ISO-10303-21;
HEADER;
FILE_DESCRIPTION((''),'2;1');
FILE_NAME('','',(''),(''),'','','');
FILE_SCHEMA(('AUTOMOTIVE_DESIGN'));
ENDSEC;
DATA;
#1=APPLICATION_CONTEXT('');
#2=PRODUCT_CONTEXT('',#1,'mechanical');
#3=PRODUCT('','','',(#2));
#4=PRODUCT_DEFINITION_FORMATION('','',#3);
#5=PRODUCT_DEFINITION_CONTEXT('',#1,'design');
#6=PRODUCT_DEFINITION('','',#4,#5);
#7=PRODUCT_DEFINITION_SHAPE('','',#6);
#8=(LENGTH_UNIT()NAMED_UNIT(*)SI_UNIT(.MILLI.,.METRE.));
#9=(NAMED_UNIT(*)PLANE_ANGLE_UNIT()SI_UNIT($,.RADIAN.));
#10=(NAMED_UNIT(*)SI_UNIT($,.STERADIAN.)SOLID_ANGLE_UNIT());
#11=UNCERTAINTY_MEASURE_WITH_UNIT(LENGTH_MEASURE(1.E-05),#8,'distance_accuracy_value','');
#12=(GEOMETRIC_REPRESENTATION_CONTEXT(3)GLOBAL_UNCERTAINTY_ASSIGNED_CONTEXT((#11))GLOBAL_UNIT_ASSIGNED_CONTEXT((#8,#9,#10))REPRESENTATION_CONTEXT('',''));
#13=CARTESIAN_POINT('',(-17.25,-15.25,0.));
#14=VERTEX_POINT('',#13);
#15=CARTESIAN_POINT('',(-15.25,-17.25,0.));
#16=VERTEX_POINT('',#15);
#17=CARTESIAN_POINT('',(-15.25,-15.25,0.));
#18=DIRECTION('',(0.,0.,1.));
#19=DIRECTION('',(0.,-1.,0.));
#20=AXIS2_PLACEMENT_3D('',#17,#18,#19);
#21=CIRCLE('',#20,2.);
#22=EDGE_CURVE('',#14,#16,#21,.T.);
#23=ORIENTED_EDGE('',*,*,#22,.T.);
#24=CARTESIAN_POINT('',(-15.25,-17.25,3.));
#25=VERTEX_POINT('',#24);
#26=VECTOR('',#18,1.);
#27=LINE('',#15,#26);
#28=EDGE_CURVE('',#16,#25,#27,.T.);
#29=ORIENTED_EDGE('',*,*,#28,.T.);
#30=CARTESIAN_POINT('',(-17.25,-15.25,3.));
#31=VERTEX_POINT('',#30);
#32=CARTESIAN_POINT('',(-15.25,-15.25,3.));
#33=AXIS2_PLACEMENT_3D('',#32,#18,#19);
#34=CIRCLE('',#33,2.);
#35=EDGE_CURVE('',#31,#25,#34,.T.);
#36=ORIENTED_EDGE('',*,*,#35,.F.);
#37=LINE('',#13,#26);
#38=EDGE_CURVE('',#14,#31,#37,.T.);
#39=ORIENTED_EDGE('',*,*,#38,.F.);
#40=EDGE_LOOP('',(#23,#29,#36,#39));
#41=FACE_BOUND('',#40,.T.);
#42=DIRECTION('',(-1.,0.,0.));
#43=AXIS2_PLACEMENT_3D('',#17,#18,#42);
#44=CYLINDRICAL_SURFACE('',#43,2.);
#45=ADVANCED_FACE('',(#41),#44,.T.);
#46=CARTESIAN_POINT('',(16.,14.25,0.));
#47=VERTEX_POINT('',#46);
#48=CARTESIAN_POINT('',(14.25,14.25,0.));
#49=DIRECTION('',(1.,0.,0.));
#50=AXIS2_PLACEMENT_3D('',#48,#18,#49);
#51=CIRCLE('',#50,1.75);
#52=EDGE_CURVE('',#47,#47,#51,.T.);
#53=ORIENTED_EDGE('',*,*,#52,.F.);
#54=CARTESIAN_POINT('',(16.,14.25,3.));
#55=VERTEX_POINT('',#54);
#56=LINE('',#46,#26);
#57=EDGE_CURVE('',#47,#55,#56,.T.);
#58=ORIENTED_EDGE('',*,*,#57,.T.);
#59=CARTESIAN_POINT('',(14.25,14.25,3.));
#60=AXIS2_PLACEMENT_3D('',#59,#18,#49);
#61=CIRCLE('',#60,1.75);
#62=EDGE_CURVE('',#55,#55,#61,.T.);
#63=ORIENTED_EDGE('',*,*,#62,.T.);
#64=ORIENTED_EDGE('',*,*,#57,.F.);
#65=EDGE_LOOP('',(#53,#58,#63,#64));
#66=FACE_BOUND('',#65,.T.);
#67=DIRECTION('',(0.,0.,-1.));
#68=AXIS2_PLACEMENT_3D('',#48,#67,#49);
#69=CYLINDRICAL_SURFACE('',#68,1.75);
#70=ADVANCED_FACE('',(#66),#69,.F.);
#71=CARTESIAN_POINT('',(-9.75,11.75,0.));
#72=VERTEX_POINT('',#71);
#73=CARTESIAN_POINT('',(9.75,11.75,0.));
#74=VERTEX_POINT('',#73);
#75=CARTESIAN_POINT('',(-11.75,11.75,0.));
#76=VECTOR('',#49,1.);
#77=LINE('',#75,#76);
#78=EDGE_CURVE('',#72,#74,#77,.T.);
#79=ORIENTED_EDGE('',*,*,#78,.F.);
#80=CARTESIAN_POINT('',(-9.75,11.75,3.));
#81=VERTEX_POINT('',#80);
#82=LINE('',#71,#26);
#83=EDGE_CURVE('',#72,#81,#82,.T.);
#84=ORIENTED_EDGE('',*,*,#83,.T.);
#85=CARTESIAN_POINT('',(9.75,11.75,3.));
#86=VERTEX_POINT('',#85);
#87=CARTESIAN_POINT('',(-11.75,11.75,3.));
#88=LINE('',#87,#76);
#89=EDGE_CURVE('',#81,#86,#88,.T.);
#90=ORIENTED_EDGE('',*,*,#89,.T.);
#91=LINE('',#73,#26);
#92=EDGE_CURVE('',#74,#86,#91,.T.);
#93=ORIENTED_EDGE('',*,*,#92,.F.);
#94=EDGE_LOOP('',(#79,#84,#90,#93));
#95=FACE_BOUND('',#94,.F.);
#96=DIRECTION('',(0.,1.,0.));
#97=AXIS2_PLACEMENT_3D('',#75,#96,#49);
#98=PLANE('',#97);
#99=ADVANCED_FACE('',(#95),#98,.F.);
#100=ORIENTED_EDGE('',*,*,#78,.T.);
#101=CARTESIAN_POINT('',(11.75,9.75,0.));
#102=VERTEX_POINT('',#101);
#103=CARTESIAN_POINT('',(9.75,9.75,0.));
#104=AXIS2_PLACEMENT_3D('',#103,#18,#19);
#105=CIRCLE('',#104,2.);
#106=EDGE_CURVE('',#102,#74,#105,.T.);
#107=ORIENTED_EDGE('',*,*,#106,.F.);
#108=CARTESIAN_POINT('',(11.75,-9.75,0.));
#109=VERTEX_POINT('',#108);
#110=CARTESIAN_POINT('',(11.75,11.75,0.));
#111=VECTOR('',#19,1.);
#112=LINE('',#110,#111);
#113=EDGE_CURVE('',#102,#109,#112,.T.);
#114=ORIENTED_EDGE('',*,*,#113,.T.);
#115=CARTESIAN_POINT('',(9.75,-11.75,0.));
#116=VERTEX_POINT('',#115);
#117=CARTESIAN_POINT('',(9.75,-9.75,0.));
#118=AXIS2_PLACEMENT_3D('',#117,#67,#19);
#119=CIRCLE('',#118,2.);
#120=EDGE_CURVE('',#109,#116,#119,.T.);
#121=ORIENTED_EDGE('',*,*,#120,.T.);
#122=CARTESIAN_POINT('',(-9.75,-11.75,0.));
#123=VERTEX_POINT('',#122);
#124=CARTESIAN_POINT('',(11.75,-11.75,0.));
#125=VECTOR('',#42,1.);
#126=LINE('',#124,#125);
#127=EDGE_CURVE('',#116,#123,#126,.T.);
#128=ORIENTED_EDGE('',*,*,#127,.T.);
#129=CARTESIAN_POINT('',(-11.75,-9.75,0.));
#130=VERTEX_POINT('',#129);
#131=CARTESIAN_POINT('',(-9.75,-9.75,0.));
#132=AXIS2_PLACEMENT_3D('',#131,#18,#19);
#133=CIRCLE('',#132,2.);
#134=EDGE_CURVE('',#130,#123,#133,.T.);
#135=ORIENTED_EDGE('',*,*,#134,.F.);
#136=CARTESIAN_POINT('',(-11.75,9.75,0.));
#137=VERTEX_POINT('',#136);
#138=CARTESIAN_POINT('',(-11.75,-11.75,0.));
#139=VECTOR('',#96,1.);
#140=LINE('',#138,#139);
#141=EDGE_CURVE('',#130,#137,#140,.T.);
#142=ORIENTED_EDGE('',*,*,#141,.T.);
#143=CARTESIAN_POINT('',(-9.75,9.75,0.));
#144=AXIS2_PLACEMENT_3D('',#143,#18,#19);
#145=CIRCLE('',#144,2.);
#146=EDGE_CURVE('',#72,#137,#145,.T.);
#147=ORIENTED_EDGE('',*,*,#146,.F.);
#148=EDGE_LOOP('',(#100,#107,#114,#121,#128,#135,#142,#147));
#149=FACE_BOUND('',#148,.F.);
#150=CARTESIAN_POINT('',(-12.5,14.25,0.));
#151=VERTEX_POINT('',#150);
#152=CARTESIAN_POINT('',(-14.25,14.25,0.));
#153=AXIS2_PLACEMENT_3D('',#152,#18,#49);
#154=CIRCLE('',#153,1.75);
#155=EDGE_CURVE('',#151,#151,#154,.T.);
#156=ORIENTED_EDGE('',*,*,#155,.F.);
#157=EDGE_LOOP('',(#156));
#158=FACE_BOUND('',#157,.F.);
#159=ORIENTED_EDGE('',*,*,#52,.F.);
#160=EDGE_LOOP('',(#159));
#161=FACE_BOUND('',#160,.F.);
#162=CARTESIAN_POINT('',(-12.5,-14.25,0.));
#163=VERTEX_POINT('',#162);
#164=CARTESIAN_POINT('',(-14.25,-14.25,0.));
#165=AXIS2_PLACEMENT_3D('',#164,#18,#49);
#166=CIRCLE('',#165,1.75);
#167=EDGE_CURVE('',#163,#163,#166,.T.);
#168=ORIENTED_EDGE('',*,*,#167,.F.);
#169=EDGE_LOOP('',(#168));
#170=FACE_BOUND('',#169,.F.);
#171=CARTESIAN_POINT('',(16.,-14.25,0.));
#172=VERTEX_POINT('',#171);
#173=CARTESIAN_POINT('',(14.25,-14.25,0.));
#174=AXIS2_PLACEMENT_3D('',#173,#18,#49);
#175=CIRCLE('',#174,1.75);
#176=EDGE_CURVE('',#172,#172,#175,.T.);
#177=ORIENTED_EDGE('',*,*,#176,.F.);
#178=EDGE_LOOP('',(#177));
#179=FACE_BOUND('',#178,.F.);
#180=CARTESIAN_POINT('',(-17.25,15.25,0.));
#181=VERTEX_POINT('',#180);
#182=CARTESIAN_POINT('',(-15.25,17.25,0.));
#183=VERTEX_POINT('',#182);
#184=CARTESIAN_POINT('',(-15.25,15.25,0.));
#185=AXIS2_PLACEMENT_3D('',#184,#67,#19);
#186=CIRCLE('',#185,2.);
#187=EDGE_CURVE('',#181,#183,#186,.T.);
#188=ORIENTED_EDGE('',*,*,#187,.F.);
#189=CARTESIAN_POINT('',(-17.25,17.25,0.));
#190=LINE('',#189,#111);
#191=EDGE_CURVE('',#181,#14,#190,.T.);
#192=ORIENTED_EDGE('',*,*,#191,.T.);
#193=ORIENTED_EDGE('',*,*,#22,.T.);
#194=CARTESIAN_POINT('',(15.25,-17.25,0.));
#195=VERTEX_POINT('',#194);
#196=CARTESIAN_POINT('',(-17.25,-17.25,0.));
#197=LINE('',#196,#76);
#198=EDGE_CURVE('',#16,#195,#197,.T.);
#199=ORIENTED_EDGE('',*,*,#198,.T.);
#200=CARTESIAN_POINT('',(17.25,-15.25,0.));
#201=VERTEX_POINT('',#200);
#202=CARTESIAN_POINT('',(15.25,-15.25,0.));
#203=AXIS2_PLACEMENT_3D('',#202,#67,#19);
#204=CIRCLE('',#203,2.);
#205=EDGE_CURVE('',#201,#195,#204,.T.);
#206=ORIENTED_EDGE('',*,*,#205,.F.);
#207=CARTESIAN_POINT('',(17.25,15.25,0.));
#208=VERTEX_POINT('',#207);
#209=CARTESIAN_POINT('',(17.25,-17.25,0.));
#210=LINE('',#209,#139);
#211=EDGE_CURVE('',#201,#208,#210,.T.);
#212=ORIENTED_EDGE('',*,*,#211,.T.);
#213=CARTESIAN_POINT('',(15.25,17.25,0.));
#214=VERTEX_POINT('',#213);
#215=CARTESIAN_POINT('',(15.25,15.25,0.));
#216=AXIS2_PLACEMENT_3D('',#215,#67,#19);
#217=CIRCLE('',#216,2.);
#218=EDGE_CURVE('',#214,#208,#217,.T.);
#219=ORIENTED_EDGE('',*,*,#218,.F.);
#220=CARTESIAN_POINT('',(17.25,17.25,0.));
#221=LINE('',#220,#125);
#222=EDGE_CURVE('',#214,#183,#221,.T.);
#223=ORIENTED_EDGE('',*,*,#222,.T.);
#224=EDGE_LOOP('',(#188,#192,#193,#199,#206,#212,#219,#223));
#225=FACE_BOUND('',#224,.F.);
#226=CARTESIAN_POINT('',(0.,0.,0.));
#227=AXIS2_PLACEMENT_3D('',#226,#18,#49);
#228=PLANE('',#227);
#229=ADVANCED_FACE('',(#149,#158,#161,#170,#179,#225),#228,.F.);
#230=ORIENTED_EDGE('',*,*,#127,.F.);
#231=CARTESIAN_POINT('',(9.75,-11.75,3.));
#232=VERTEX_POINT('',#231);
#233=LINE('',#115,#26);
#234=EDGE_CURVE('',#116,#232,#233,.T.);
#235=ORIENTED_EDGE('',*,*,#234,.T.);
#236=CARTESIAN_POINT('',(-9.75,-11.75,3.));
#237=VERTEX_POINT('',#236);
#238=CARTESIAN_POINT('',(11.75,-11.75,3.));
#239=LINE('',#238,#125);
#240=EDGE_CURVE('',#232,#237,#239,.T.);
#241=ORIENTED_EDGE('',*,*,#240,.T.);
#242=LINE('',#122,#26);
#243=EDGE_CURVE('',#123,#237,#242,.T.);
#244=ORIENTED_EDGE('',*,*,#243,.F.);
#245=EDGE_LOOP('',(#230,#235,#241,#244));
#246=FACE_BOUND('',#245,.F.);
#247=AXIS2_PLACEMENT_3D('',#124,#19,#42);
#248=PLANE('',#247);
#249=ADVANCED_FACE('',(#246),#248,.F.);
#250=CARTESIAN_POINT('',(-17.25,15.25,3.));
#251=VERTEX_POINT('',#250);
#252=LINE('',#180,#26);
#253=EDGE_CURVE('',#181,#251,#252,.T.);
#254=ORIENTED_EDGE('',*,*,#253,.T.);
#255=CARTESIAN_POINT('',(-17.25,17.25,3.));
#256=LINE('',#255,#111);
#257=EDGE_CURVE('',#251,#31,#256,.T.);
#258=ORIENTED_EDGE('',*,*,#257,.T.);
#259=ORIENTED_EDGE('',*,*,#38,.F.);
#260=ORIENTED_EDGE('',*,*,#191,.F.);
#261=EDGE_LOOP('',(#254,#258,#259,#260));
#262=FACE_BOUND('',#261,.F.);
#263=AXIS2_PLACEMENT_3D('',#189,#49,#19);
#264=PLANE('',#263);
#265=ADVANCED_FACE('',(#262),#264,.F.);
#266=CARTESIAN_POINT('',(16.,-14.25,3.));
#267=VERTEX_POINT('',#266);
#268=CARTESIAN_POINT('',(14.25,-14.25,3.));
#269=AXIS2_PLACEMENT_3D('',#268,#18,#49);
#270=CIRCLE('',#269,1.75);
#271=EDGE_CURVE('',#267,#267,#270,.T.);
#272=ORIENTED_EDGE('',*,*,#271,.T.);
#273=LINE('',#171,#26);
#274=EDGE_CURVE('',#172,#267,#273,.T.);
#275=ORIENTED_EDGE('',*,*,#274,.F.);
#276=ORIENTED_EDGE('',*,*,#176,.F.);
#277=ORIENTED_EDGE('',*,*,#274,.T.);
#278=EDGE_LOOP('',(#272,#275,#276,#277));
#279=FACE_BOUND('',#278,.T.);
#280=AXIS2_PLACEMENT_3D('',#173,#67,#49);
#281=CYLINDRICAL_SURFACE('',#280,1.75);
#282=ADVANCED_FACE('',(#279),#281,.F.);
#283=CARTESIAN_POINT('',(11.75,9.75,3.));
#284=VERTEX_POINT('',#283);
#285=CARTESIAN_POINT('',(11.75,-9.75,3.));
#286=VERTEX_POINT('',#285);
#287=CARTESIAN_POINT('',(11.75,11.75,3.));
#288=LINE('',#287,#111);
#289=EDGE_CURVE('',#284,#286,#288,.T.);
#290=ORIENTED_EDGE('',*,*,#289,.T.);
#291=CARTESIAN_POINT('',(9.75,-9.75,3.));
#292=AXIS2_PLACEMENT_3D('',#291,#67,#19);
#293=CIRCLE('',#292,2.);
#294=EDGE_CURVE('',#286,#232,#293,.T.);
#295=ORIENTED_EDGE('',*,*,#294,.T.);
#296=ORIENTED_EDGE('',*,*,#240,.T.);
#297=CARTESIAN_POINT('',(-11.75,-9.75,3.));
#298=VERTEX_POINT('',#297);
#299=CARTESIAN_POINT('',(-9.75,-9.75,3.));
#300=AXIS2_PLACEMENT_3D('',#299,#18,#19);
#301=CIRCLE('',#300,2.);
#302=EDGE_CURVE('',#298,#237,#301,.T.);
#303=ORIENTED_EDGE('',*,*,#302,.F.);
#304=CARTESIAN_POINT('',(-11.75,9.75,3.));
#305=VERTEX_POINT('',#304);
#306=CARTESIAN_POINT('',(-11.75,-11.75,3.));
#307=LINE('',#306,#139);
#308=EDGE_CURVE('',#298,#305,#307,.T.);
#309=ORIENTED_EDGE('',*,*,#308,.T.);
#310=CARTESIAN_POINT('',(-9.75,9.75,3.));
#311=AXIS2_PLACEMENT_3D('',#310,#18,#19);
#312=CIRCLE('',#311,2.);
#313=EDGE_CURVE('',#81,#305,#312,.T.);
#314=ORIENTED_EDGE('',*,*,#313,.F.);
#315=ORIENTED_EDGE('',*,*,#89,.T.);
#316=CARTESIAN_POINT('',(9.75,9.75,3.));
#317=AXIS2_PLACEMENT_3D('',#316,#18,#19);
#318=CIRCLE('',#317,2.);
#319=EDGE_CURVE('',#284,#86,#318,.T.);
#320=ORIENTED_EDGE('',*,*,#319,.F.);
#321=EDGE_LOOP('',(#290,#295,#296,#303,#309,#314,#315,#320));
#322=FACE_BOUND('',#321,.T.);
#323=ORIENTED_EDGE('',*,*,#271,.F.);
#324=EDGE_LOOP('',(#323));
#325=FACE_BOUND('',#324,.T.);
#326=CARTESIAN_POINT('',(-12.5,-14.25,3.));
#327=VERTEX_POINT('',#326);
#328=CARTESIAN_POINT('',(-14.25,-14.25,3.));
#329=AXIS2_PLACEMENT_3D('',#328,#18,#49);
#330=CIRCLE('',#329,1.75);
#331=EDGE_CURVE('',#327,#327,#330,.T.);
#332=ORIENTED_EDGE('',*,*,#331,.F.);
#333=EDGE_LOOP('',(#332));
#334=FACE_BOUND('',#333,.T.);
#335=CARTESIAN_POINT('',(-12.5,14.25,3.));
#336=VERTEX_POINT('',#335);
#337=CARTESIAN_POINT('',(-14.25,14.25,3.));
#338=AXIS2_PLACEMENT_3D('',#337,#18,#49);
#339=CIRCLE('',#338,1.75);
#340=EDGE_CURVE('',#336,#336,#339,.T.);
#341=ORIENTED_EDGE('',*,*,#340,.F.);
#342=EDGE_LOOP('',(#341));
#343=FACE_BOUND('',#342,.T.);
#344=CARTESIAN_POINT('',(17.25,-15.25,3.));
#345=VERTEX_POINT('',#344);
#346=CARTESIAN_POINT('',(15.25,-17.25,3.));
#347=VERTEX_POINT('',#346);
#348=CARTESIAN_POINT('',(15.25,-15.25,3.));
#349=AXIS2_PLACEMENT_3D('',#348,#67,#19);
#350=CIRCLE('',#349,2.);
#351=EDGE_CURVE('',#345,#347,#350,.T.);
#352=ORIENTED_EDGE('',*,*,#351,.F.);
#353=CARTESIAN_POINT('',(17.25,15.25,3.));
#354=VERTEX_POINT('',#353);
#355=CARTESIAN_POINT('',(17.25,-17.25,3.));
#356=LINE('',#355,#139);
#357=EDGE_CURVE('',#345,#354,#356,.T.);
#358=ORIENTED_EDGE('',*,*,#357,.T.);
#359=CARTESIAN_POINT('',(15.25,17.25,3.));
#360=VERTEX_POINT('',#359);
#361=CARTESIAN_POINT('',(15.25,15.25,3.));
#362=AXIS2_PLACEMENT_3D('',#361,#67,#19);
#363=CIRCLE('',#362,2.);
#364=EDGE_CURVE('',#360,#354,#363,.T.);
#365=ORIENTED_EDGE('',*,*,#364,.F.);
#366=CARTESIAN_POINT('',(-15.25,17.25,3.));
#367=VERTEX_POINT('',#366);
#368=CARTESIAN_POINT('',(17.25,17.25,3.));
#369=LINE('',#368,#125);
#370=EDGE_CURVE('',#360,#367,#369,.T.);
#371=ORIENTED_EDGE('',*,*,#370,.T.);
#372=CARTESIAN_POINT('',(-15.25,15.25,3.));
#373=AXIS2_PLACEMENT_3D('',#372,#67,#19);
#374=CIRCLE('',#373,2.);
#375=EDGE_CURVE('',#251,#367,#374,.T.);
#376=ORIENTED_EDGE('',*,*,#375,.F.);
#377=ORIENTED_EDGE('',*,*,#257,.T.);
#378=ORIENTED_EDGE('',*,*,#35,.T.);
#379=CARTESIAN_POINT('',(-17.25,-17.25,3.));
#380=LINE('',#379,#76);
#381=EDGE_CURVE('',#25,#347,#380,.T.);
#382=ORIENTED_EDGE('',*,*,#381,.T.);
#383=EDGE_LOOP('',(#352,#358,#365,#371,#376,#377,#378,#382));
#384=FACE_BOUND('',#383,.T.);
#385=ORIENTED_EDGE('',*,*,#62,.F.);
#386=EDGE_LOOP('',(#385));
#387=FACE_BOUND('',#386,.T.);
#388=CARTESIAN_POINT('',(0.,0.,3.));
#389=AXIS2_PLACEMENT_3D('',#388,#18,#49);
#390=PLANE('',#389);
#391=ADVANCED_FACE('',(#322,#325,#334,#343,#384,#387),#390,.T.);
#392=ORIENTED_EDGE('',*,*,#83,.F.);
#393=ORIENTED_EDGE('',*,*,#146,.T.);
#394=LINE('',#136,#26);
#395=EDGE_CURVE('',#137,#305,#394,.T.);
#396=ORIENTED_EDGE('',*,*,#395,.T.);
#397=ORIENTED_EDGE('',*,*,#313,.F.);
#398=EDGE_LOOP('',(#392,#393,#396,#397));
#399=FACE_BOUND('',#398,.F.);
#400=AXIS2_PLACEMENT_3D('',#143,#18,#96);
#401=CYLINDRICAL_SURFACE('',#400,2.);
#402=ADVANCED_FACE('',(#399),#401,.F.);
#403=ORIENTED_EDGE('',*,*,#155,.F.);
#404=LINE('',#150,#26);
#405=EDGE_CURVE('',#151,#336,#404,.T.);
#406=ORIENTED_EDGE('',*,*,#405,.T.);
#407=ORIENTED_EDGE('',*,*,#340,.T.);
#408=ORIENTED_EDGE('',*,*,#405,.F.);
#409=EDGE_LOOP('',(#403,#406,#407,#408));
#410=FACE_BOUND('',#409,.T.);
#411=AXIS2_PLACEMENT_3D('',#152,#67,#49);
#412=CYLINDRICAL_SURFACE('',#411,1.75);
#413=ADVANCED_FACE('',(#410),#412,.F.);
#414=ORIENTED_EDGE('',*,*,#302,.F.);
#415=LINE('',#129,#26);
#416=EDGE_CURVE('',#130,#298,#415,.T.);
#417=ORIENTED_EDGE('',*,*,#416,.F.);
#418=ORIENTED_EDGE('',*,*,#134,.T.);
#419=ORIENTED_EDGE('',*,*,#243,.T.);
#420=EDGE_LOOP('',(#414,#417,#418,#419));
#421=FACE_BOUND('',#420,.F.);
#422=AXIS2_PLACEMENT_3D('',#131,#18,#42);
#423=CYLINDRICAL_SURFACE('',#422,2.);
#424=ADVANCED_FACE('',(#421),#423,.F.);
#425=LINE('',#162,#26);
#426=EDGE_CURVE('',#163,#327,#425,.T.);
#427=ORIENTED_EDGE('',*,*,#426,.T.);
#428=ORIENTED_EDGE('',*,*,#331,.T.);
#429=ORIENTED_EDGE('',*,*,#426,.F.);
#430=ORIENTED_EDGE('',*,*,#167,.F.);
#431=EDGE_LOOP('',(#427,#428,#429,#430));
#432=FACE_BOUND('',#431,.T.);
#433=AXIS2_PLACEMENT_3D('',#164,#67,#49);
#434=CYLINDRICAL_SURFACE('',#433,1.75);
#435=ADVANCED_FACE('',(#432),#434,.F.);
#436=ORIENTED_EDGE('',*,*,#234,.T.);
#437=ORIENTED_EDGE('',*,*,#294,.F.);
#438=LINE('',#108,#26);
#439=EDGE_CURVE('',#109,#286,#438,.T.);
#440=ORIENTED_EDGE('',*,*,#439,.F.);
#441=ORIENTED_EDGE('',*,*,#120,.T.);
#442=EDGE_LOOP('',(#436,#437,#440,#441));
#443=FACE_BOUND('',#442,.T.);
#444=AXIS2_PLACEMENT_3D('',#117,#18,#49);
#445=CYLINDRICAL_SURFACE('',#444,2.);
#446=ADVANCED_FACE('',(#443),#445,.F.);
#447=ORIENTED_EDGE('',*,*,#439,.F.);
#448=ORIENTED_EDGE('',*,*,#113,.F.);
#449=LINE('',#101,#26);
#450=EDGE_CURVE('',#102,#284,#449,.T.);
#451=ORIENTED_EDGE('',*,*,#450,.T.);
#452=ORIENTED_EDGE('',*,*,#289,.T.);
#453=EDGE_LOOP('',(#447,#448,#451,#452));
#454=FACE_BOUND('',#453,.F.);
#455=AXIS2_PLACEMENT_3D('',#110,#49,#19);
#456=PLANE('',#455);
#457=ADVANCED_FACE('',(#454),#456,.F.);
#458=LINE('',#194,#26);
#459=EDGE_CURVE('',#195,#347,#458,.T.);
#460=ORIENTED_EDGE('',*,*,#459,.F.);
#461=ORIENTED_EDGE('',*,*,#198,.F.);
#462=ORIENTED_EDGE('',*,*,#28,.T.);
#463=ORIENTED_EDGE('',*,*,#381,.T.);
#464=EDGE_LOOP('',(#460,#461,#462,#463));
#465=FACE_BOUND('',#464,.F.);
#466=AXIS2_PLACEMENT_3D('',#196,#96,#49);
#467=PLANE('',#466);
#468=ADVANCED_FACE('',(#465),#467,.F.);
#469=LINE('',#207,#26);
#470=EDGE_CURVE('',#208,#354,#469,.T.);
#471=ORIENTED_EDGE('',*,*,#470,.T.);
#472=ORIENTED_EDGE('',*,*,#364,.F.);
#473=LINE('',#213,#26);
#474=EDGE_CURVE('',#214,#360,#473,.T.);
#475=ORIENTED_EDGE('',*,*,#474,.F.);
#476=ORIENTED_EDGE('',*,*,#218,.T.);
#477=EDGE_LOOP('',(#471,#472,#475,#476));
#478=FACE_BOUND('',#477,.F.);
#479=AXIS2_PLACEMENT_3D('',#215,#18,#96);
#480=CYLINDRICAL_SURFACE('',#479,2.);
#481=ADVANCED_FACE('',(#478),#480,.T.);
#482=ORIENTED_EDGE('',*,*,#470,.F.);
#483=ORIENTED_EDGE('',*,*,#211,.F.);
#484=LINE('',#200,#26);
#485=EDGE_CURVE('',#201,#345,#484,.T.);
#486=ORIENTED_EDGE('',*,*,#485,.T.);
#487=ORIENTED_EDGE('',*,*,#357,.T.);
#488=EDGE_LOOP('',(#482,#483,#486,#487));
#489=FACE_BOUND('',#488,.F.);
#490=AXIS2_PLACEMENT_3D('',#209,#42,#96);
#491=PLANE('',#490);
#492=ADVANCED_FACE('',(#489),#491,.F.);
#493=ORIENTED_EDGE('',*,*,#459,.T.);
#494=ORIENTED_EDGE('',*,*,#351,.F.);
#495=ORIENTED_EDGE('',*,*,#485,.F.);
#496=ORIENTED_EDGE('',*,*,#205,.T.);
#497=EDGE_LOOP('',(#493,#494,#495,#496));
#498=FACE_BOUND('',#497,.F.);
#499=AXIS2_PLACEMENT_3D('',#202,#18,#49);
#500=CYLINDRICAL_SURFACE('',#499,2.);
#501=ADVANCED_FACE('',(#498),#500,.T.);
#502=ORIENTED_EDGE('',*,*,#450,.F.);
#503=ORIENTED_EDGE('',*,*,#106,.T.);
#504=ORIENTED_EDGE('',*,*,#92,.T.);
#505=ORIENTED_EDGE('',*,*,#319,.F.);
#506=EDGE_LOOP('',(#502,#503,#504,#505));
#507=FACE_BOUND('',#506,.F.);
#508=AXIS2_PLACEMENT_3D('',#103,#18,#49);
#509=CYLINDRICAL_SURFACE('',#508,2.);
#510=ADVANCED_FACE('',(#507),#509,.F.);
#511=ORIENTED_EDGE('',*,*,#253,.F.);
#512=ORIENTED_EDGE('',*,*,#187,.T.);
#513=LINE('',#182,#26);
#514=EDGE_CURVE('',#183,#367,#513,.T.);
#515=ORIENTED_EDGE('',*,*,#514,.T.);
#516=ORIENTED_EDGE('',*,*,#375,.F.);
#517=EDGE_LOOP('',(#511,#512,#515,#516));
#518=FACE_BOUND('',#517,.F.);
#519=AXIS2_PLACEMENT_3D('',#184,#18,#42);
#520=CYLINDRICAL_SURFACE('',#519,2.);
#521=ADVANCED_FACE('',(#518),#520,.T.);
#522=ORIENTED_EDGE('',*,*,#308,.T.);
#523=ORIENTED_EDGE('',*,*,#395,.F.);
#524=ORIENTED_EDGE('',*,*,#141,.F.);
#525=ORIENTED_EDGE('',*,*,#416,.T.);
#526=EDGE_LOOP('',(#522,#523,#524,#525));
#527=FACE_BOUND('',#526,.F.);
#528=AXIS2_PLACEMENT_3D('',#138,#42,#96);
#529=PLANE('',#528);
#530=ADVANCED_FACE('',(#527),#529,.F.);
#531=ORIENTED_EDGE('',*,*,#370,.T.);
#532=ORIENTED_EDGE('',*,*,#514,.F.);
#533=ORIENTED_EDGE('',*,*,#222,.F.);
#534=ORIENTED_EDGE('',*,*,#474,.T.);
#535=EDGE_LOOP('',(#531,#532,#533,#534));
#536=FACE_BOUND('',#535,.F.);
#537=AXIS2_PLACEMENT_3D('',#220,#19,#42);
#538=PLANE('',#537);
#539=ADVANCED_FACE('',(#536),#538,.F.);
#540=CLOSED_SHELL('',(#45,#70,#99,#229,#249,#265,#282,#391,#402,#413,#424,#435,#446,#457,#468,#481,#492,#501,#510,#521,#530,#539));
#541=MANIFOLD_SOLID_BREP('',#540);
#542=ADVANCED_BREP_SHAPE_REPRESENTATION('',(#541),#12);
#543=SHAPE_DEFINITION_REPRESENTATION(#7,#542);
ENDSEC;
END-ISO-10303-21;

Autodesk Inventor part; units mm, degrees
ref_plane "YZ Plane" through (0, 0, 0) normal (1, 0, 0) x (0, 1, 0)
ref_plane "XZ Plane" through (0, 0, 0) normal (0, 1, 0) x (-1, 0, 0)
ref_plane "XY Plane" through (0, 0, 0) normal (0, 0, 1) x (1, 0, 0)
sketch "Sketch1" plane through (0, 0, 0) normal (0, 0, 1) x (1, 0, 0)
  line L0 (-17.25, -17.25) -> (17.25, -17.25)
  line L1 (17.25, -17.25) -> (17.25, 17.25)
  line L2 (17.25, 17.25) -> (-17.25, 17.25)
  line L3 (-17.25, 17.25) -> (-17.25, -17.25)
  line L4 (-17.25, -17.25) -> (17.25, 17.25) construction
  line L5 (17.25, -17.25) -> (-17.25, 17.25) construction
  line L6 (11.75, -11.75) -> (-11.75, -11.75)
  line L7 (-11.75, -11.75) -> (-11.75, 11.75)
  line L8 (-11.75, 11.75) -> (11.75, 11.75)
  line L9 (11.75, 11.75) -> (11.75, -11.75)
  circle A0 centre (-14.25, -14.25) radius 1.75
  line L10 (0, -17.25) -> (0, 17.25) construction
  line L11 (-17.25, 0) -> (17.25, 0) construction
  circle A1 centre (14.25, -14.25) radius 1.75
  circle A2 centre (14.25, -14.25) radius 1.75
  circle A3 centre (-14.25, -14.25) radius 1.75
  circle A4 centre (14.25, 14.25) radius 1.75
  circle A5 centre (-14.25, 14.25) radius 1.75
  point P0 (0, 0)
  dimension "d14" = 34.5
  dimension "d15" = 34.5
  dimension "d16" = 5.5
  dimension "d17" = 3.5
  dimension "d18" = 3
  dimension "d19" = 3
extrude "Extrusion2" add sketch "Sketch1" along normal blind 3
fillet "Fillet2" radius 2 8 edges at (-17.25, -17.25, 1.5) (-11.75, -11.75, 1.5) (-11.75, 11.75, 1.5) (-17.25, 17.25, 1.5) (17.25, 17.25, 1.5) (11.75, 11.75, 1.5) (11.75, -11.75, 1.5) (17.25, -17.25, 1.5)
properties part number "load_cell_frame"
